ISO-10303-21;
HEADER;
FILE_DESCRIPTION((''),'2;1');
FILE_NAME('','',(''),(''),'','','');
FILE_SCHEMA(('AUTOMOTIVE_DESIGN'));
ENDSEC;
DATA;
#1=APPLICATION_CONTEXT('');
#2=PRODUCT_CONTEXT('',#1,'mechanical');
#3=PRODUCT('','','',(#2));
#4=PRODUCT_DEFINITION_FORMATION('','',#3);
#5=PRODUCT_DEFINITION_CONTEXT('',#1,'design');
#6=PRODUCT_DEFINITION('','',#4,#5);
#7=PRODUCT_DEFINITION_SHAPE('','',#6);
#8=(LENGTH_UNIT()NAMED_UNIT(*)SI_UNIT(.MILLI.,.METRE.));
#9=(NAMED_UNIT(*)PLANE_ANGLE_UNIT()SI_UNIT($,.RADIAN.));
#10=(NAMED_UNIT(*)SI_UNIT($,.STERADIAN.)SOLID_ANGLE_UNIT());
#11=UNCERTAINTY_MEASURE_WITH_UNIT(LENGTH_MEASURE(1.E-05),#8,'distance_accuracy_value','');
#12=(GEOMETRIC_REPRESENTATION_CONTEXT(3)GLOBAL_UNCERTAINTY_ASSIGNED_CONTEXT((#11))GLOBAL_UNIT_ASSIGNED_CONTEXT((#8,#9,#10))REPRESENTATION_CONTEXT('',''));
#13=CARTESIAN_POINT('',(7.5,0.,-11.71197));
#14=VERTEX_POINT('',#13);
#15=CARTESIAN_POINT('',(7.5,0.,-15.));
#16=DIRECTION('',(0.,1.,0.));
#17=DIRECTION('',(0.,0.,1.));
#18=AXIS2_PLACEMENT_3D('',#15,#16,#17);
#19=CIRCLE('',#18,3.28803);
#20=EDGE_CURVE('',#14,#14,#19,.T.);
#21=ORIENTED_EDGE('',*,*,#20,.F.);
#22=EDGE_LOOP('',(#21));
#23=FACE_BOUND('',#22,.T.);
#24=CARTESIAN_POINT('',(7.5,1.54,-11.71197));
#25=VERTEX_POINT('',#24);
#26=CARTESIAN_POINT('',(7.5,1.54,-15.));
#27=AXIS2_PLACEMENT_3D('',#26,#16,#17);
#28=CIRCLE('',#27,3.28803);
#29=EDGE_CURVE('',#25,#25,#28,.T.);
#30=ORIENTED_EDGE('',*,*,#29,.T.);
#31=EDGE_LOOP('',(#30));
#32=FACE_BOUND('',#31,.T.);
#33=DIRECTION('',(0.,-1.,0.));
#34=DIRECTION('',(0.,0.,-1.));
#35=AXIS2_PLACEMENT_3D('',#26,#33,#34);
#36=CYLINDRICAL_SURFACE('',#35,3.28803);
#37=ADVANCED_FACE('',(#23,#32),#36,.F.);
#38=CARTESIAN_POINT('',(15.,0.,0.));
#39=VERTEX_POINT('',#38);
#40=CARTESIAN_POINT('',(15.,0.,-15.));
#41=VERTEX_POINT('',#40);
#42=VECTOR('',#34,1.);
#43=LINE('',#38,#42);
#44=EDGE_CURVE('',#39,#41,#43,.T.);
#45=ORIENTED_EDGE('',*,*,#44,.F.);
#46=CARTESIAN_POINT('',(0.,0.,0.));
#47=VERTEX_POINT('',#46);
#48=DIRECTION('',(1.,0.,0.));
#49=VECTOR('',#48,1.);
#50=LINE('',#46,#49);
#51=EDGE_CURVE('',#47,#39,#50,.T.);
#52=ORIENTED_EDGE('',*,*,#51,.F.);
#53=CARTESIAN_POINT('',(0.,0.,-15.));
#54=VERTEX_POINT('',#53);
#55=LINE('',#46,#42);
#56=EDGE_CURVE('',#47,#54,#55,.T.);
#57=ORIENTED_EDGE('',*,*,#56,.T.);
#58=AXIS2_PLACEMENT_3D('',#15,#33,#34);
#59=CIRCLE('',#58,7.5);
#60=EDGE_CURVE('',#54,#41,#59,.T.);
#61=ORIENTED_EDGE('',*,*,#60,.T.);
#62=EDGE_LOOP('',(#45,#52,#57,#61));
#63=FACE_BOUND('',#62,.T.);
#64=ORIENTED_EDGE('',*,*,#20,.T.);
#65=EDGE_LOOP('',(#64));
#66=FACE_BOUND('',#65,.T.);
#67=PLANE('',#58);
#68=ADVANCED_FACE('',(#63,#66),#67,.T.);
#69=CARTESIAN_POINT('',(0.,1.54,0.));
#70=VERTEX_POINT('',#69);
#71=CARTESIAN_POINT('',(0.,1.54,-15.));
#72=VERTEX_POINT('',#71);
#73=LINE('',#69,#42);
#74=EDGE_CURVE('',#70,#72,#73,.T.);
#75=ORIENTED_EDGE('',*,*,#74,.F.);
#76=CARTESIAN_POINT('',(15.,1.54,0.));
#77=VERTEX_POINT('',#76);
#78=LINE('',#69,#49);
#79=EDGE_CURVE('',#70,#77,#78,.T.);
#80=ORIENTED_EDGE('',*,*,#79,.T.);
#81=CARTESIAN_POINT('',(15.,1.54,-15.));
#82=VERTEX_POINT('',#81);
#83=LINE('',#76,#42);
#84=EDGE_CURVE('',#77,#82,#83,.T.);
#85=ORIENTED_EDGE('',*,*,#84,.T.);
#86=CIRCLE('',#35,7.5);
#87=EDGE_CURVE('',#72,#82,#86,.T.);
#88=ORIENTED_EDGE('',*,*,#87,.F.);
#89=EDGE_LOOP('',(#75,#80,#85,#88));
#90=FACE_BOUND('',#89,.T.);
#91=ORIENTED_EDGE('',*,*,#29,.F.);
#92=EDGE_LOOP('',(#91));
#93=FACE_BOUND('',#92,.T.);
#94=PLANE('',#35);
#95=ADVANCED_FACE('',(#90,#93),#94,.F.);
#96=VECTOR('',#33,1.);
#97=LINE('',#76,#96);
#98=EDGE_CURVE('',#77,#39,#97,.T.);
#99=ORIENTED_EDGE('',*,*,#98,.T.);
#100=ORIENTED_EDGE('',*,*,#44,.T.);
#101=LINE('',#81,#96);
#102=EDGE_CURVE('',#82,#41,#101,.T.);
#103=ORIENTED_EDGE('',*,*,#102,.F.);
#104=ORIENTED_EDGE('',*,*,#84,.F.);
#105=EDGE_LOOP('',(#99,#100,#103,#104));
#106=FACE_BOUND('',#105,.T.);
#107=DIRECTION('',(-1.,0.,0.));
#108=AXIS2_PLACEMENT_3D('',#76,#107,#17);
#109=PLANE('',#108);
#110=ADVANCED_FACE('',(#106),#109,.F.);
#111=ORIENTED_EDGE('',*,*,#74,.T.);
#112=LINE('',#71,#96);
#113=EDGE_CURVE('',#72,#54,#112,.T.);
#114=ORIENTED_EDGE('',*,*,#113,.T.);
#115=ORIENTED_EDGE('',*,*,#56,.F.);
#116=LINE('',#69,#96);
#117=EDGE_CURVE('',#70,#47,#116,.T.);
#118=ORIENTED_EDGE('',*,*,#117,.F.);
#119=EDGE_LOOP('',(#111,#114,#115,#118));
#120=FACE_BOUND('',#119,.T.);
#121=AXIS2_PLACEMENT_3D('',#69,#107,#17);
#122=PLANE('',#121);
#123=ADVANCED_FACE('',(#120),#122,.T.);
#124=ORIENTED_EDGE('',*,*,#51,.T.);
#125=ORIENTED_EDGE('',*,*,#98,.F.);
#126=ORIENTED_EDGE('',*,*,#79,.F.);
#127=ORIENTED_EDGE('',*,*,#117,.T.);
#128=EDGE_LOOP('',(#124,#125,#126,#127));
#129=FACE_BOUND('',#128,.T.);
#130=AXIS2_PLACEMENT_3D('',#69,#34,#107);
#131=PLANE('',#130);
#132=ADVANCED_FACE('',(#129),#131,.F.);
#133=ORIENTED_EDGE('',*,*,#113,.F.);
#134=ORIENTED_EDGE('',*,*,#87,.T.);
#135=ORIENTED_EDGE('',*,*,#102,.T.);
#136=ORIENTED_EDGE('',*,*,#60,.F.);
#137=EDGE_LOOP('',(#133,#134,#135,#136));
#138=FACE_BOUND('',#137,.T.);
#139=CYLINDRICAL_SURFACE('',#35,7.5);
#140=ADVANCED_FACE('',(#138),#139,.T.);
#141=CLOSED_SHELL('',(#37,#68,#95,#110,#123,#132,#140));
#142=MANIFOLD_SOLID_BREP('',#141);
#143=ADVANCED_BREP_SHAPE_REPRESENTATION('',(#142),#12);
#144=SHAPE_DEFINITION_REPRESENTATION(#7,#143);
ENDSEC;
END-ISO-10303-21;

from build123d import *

# Parameters (mm, degrees)
SKETCH1_R           = 3.28803
BOSS_EXTRUDE1_DEPTH = 1.54


with BuildPart() as part:
    # Sketch1 → Boss-Extrude1 (new body)
    with BuildSketch(Plane(origin=(0, 0, 0), x_dir=(1, 0, 0), z_dir=(0, 1, 0))):
        with BuildLine():
            Line((0, 0), (15, 0))
            Line((15, 0), (15, 15))
            ThreePointArc((15, 15), (7.5, 22.5), (0, 15))
            Line((0, 15), (0, 0))
        make_face()
        with Locations(Location((7.5, 15, 0), (0, 0, 270))):
            Circle(SKETCH1_R, mode=Mode.SUBTRACT)
    extrude(amount=BOSS_EXTRUDE1_DEPTH)


solid = part.part
